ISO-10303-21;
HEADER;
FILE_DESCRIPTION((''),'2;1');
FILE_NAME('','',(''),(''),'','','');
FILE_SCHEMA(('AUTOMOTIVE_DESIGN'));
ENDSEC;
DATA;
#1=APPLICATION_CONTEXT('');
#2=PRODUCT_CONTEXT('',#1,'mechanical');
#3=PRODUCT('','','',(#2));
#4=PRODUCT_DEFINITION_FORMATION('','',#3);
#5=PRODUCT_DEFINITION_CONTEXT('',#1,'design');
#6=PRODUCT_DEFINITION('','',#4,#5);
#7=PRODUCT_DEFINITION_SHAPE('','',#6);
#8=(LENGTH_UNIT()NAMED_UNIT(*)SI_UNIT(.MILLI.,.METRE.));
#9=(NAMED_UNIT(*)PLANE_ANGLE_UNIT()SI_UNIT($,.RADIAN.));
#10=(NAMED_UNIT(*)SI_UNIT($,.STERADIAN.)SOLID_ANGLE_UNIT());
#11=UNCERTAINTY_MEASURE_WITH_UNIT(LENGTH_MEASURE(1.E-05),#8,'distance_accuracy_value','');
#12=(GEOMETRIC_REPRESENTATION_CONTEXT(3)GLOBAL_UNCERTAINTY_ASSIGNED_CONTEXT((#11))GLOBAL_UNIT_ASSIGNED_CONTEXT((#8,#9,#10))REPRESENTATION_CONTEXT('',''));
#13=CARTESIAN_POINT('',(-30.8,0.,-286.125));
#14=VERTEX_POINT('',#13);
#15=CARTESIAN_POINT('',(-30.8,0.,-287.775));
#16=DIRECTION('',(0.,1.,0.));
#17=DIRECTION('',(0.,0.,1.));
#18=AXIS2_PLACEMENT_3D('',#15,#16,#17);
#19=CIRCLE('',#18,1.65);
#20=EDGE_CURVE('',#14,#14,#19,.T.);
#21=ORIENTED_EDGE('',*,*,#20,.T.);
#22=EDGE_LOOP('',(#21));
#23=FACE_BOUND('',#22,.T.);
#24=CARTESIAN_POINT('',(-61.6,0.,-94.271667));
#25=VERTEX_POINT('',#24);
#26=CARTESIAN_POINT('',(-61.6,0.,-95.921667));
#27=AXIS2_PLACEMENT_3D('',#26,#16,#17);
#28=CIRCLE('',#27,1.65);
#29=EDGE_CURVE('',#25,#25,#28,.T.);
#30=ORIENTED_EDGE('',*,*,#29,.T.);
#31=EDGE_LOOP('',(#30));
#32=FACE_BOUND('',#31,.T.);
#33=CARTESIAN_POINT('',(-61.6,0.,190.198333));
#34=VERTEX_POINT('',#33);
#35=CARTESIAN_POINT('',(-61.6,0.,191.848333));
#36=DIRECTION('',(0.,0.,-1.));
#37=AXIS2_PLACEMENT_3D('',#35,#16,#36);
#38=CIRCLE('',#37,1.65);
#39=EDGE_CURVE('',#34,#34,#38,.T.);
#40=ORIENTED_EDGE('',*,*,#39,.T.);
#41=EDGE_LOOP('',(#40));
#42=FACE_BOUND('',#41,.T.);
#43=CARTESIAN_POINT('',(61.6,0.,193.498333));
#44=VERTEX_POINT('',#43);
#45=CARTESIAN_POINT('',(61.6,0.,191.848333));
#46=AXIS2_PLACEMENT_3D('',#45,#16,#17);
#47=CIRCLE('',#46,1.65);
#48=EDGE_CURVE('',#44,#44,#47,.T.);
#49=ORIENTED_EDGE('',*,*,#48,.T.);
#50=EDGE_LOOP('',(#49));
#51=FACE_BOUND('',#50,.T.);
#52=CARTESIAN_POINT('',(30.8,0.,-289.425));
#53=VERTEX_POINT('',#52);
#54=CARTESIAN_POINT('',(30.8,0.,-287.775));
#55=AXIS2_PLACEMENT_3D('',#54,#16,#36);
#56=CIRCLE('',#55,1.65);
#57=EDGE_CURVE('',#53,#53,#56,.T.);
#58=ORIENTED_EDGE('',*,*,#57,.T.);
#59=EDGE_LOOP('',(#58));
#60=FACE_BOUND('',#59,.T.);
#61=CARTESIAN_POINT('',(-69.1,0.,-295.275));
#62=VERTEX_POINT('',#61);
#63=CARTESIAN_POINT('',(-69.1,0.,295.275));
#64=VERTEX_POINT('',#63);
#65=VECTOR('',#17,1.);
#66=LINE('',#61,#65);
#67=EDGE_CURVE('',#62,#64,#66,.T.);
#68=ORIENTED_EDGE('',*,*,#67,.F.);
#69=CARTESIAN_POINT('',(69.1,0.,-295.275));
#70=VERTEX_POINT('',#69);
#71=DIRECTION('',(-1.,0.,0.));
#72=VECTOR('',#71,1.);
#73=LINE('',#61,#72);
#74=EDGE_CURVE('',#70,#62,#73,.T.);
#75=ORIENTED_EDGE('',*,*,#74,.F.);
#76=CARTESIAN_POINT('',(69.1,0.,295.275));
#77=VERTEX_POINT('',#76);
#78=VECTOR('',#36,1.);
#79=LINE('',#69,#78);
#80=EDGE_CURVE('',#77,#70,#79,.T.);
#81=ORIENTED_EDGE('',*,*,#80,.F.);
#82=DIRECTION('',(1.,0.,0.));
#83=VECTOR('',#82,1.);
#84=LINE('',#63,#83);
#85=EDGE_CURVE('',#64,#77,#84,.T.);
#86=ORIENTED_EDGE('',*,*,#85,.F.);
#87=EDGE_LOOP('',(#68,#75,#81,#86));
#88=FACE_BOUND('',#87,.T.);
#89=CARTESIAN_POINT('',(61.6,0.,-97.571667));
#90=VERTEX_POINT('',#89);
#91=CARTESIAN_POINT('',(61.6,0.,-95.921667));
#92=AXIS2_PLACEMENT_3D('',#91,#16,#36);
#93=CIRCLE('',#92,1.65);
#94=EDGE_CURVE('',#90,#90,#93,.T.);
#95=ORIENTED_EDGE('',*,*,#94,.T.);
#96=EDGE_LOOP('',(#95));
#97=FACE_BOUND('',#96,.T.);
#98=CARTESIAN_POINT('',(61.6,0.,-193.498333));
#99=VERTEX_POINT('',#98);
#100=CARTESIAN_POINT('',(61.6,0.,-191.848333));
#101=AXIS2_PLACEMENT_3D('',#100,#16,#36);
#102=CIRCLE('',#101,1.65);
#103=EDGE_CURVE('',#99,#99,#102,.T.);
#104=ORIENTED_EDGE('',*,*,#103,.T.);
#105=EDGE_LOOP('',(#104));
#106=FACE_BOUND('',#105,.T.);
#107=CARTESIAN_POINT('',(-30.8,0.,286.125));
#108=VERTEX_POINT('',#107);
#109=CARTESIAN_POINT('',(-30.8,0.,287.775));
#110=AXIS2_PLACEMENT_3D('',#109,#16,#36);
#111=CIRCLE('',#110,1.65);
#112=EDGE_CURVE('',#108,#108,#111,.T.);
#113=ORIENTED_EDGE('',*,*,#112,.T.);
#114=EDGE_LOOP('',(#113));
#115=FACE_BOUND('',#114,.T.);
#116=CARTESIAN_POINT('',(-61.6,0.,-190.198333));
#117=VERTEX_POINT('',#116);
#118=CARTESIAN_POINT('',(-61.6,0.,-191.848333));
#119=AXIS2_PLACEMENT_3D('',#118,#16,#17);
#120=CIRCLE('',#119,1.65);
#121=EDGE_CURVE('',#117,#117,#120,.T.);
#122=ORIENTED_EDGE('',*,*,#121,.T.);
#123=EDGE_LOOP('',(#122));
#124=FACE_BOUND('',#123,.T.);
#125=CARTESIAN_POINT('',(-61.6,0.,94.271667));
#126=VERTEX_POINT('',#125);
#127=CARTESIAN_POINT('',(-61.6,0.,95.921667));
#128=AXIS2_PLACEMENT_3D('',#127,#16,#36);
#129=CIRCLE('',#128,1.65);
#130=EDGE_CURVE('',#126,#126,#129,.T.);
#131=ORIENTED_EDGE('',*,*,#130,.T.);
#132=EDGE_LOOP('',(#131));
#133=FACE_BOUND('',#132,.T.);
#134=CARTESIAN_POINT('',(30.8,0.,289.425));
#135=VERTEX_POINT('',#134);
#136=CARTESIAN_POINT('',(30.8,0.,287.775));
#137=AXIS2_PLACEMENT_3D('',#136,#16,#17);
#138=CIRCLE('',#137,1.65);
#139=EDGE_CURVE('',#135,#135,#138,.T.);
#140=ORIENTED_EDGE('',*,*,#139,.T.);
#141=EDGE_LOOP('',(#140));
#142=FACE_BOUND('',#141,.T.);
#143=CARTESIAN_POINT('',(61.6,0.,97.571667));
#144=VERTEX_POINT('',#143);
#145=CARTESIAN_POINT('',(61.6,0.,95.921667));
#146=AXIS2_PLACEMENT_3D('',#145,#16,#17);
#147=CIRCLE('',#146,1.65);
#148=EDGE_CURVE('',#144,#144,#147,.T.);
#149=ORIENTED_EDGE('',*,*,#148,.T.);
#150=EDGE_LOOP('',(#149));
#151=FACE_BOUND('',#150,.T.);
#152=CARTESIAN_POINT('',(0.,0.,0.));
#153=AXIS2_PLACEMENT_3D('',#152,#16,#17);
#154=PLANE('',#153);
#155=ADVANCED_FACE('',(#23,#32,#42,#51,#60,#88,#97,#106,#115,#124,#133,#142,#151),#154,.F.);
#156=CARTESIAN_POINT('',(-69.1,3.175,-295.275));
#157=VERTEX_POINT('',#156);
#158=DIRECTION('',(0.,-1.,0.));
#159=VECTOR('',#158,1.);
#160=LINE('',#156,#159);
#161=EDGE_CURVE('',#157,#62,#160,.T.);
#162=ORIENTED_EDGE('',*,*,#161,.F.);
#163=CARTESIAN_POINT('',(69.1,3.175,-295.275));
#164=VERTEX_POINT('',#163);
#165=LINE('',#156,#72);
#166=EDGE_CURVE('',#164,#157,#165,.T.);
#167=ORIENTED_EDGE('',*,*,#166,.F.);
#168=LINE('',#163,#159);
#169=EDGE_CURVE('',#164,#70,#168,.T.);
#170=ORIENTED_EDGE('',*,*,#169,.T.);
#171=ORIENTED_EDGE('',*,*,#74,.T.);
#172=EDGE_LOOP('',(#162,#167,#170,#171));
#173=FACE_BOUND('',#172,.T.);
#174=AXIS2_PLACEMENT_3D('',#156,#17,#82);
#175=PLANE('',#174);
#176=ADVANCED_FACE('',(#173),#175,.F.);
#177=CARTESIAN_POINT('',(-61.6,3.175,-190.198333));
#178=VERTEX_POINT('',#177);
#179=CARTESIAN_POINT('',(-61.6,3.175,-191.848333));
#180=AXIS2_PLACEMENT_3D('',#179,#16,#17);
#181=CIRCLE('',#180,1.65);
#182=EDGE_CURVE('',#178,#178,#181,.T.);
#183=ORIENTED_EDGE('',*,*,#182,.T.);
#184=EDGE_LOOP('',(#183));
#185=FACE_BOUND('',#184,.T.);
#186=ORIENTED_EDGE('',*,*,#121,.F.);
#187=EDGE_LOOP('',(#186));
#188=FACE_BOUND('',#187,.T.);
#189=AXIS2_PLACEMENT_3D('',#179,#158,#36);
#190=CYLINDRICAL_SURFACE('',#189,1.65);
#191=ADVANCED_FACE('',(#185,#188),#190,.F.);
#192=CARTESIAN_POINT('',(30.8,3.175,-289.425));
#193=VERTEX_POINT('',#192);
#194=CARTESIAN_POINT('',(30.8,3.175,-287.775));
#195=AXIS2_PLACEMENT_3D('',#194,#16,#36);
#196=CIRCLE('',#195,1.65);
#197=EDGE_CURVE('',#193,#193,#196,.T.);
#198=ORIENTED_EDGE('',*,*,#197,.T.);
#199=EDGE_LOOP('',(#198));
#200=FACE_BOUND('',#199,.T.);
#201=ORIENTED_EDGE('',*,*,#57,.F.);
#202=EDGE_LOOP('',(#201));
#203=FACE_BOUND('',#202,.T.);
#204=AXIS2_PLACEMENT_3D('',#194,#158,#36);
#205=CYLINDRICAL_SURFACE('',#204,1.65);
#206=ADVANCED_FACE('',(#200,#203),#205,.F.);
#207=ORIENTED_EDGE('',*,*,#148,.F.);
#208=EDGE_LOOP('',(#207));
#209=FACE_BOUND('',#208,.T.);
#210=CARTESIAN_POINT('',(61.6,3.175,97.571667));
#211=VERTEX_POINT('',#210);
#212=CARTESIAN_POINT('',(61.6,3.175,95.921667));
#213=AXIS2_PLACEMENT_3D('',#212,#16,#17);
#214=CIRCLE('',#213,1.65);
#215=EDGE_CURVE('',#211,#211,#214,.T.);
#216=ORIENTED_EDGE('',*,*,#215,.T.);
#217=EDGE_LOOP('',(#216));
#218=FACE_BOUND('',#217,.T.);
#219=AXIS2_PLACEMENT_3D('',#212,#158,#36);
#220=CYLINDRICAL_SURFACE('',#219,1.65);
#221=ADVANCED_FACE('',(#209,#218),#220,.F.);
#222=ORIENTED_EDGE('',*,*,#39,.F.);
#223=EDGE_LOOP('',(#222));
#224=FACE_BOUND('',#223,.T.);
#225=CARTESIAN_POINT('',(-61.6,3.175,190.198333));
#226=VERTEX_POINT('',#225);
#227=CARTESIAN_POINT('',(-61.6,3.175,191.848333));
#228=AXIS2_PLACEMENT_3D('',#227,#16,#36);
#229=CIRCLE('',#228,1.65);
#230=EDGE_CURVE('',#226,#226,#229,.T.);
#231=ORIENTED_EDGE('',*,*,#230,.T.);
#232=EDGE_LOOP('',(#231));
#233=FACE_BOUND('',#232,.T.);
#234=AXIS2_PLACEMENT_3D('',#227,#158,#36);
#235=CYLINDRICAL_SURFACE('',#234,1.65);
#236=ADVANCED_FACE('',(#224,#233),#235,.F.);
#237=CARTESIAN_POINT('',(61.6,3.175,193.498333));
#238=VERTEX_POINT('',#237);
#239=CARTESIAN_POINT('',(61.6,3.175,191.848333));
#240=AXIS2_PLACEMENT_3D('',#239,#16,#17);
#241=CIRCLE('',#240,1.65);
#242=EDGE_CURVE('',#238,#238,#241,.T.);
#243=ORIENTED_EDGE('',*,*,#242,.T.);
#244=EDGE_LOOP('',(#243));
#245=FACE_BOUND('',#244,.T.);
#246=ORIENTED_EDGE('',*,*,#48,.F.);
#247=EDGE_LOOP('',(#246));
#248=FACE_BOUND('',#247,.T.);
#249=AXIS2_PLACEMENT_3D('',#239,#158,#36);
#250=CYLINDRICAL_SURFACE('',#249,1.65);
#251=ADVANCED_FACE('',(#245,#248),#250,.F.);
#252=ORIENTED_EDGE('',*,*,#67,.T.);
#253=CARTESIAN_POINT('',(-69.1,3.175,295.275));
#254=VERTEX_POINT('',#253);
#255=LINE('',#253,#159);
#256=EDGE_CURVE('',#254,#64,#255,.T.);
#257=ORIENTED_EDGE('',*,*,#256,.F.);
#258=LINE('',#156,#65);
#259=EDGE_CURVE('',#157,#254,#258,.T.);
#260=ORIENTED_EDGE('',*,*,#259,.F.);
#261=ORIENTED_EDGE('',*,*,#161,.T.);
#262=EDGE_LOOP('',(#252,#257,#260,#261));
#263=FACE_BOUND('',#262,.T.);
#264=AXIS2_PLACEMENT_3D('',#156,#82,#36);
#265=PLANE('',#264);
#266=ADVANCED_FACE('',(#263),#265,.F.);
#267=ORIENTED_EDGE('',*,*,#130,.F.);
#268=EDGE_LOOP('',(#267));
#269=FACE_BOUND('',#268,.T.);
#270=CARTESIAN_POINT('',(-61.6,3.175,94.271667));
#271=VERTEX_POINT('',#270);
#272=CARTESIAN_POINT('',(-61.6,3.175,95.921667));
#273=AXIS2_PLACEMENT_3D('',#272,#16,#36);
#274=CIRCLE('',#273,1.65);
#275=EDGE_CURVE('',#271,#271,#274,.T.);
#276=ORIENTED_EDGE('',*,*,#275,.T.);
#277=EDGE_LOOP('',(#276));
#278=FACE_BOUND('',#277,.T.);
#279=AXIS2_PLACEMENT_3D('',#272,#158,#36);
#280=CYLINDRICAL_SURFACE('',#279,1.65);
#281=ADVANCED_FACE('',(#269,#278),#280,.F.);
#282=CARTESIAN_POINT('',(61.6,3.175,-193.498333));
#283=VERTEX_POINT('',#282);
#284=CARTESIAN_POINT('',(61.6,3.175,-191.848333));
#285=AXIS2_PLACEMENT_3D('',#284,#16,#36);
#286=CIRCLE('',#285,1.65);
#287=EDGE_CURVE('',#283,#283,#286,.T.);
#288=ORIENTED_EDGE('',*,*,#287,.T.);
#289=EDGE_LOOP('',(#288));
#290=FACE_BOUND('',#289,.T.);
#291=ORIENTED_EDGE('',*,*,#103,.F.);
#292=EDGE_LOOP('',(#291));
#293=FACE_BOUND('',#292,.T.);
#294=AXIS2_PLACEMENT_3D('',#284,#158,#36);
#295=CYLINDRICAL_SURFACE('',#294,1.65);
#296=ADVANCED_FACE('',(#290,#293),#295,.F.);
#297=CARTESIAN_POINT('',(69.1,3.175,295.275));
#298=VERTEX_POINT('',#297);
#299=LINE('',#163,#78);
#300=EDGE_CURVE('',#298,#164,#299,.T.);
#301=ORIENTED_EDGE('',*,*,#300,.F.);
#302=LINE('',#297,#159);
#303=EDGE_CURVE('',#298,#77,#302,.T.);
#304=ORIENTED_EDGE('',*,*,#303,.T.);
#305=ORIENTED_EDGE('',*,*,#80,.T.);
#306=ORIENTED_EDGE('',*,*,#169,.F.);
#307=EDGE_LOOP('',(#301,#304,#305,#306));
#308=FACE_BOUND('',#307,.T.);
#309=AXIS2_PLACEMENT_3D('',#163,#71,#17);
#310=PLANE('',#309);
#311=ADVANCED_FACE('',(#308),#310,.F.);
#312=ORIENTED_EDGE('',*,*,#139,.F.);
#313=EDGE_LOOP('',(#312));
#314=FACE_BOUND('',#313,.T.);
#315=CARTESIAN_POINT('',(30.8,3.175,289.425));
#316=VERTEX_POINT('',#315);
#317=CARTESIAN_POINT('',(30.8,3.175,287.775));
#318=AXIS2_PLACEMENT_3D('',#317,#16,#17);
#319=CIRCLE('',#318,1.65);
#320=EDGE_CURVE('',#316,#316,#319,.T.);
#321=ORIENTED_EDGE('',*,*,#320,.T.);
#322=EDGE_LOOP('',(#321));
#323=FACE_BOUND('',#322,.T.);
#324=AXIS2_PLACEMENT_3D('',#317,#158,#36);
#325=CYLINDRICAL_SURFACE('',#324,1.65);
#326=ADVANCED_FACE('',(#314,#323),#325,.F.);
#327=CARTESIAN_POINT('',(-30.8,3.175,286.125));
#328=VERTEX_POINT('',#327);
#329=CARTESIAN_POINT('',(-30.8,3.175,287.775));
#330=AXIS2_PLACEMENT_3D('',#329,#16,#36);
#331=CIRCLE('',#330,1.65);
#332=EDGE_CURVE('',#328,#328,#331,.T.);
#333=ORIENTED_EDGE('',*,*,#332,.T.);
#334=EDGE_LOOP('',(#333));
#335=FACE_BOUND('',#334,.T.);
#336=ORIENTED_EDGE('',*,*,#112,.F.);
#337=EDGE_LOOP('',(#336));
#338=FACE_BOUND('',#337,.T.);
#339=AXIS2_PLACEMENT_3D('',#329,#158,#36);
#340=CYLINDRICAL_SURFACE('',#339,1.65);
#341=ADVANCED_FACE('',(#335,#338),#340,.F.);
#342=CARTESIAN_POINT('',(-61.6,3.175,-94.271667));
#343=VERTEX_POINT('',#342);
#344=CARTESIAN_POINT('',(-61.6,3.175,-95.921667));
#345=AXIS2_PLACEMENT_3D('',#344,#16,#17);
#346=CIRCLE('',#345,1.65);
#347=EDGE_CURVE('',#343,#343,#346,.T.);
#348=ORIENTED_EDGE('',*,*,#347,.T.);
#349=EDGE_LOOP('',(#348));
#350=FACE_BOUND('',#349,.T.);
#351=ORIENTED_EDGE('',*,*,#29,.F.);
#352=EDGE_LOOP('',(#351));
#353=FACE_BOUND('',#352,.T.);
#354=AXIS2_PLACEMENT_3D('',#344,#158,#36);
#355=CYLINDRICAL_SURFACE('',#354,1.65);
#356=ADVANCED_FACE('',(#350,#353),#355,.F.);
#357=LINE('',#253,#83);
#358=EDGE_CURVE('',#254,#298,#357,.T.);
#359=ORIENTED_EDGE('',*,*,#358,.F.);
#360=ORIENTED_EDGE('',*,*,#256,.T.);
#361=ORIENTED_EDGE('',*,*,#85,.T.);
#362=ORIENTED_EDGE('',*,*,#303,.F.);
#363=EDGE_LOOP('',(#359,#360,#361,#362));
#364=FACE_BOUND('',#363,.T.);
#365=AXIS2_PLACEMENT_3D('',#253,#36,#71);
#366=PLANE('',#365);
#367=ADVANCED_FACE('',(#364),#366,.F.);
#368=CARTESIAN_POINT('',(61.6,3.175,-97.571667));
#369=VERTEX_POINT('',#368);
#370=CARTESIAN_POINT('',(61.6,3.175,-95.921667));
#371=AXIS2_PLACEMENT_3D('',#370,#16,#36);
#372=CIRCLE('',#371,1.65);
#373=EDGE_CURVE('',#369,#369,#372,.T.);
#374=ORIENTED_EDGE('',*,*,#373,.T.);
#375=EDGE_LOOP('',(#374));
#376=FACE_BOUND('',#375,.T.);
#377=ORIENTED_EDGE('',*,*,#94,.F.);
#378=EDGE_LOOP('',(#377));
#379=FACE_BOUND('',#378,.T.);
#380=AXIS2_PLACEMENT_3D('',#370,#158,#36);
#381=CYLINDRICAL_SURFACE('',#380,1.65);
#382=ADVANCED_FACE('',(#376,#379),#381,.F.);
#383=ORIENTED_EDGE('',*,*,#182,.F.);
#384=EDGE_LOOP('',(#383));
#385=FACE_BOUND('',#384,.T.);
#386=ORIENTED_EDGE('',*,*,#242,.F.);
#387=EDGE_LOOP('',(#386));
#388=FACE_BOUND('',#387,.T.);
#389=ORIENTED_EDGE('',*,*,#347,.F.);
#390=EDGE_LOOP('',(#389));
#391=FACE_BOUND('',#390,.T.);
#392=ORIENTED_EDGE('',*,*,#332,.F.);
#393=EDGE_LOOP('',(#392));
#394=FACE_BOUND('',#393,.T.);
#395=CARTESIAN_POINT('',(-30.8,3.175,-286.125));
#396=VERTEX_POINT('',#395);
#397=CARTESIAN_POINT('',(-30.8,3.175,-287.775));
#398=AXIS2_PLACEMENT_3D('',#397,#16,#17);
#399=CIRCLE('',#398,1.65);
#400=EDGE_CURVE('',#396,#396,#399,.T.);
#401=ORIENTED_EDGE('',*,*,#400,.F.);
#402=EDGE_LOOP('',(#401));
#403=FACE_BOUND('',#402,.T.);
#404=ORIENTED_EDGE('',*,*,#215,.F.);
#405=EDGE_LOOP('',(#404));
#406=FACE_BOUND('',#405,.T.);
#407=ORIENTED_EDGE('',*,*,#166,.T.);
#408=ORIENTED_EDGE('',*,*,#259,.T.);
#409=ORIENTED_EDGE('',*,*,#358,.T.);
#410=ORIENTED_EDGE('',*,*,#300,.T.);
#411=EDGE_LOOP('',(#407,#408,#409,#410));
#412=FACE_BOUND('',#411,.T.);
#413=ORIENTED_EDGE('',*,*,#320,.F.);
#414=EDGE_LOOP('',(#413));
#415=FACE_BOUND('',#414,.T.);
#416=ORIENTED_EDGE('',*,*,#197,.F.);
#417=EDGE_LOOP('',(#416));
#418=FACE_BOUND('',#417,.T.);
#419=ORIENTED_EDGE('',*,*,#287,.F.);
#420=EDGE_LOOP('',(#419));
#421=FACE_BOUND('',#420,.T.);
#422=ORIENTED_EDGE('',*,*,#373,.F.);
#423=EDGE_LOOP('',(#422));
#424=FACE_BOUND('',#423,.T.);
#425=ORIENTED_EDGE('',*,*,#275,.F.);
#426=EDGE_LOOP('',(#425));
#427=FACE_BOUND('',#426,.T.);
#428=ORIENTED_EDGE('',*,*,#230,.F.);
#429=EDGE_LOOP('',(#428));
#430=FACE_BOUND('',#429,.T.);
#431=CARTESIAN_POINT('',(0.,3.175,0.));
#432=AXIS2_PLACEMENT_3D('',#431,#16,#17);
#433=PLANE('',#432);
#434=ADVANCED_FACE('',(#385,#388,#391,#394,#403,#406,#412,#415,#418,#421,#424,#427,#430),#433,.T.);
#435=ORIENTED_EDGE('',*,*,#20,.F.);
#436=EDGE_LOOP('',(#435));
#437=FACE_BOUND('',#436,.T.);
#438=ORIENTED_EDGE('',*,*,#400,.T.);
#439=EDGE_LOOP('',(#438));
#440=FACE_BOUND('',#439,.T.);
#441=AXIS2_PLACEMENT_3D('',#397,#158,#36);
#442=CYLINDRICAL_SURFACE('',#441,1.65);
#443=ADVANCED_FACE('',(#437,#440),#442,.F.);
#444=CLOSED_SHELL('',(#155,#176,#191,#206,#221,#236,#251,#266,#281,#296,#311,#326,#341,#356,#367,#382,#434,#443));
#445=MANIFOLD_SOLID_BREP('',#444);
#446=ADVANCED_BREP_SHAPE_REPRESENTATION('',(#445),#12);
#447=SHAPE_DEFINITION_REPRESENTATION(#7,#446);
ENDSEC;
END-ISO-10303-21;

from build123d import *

# Parameters (mm, degrees)
SKETCH1_W           = 138.2
SKETCH1_H           = 590.55
SKETCH1_R           = 1.65
BOSS_EXTRUDE1_DEPTH = 3.175


with BuildPart() as part:
    # Sketch1 → Boss-Extrude1 (new body)
    with BuildSketch(Plane(origin=(0, 0, 0), x_dir=(1, 0, 0), z_dir=(0, 1, 0))):
        Rectangle(SKETCH1_W, SKETCH1_H)
        with Locations(Location((-30.8, 287.775, 0), (0, 0, 270))):
            Circle(SKETCH1_R, mode=Mode.SUBTRACT)
        with Locations(Location((-61.6, 191.848333333, 0), (0, 0, 270))):
            Circle(SKETCH1_R, mode=Mode.SUBTRACT)
        with Locations(Location((-61.6, 95.921666667, 0), (0, 0, 270))):
            Circle(SKETCH1_R, mode=Mode.SUBTRACT)
        with Locations(Location((61.6, 95.921666667, 0), (0, 0, 90))):
            Circle(SKETCH1_R, mode=Mode.SUBTRACT)
        with Locations(Location((61.6, 191.848333333, 0), (0, 0, 90))):
            Circle(SKETCH1_R, mode=Mode.SUBTRACT)
        with Locations(Location((30.8, 287.775, 0), (0, 0, 90))):
            Circle(SKETCH1_R, mode=Mode.SUBTRACT)
        with Locations(Location((30.8, -287.775, 0), (0, 0, 270))):
            Circle(SKETCH1_R, mode=Mode.SUBTRACT)
        with Locations(Location((61.6, -191.848333333, 0), (0, 0, 270))):
            Circle(SKETCH1_R, mode=Mode.SUBTRACT)
        with Locations(Location((61.6, -95.921666667, 0), (0, 0, 270))):
            Circle(SKETCH1_R, mode=Mode.SUBTRACT)
        with Locations(Location((-61.6, -95.921666667, 0), (0, 0, 90))):
            Circle(SKETCH1_R, mode=Mode.SUBTRACT)
        with Locations(Location((-61.6, -191.848333333, 0), (0, 0, 90))):
            Circle(SKETCH1_R, mode=Mode.SUBTRACT)
        with Locations(Location((-30.8, -287.775, 0), (0, 0, 90))):
            Circle(SKETCH1_R, mode=Mode.SUBTRACT)
    extrude(amount=BOSS_EXTRUDE1_DEPTH)


solid = part.part
